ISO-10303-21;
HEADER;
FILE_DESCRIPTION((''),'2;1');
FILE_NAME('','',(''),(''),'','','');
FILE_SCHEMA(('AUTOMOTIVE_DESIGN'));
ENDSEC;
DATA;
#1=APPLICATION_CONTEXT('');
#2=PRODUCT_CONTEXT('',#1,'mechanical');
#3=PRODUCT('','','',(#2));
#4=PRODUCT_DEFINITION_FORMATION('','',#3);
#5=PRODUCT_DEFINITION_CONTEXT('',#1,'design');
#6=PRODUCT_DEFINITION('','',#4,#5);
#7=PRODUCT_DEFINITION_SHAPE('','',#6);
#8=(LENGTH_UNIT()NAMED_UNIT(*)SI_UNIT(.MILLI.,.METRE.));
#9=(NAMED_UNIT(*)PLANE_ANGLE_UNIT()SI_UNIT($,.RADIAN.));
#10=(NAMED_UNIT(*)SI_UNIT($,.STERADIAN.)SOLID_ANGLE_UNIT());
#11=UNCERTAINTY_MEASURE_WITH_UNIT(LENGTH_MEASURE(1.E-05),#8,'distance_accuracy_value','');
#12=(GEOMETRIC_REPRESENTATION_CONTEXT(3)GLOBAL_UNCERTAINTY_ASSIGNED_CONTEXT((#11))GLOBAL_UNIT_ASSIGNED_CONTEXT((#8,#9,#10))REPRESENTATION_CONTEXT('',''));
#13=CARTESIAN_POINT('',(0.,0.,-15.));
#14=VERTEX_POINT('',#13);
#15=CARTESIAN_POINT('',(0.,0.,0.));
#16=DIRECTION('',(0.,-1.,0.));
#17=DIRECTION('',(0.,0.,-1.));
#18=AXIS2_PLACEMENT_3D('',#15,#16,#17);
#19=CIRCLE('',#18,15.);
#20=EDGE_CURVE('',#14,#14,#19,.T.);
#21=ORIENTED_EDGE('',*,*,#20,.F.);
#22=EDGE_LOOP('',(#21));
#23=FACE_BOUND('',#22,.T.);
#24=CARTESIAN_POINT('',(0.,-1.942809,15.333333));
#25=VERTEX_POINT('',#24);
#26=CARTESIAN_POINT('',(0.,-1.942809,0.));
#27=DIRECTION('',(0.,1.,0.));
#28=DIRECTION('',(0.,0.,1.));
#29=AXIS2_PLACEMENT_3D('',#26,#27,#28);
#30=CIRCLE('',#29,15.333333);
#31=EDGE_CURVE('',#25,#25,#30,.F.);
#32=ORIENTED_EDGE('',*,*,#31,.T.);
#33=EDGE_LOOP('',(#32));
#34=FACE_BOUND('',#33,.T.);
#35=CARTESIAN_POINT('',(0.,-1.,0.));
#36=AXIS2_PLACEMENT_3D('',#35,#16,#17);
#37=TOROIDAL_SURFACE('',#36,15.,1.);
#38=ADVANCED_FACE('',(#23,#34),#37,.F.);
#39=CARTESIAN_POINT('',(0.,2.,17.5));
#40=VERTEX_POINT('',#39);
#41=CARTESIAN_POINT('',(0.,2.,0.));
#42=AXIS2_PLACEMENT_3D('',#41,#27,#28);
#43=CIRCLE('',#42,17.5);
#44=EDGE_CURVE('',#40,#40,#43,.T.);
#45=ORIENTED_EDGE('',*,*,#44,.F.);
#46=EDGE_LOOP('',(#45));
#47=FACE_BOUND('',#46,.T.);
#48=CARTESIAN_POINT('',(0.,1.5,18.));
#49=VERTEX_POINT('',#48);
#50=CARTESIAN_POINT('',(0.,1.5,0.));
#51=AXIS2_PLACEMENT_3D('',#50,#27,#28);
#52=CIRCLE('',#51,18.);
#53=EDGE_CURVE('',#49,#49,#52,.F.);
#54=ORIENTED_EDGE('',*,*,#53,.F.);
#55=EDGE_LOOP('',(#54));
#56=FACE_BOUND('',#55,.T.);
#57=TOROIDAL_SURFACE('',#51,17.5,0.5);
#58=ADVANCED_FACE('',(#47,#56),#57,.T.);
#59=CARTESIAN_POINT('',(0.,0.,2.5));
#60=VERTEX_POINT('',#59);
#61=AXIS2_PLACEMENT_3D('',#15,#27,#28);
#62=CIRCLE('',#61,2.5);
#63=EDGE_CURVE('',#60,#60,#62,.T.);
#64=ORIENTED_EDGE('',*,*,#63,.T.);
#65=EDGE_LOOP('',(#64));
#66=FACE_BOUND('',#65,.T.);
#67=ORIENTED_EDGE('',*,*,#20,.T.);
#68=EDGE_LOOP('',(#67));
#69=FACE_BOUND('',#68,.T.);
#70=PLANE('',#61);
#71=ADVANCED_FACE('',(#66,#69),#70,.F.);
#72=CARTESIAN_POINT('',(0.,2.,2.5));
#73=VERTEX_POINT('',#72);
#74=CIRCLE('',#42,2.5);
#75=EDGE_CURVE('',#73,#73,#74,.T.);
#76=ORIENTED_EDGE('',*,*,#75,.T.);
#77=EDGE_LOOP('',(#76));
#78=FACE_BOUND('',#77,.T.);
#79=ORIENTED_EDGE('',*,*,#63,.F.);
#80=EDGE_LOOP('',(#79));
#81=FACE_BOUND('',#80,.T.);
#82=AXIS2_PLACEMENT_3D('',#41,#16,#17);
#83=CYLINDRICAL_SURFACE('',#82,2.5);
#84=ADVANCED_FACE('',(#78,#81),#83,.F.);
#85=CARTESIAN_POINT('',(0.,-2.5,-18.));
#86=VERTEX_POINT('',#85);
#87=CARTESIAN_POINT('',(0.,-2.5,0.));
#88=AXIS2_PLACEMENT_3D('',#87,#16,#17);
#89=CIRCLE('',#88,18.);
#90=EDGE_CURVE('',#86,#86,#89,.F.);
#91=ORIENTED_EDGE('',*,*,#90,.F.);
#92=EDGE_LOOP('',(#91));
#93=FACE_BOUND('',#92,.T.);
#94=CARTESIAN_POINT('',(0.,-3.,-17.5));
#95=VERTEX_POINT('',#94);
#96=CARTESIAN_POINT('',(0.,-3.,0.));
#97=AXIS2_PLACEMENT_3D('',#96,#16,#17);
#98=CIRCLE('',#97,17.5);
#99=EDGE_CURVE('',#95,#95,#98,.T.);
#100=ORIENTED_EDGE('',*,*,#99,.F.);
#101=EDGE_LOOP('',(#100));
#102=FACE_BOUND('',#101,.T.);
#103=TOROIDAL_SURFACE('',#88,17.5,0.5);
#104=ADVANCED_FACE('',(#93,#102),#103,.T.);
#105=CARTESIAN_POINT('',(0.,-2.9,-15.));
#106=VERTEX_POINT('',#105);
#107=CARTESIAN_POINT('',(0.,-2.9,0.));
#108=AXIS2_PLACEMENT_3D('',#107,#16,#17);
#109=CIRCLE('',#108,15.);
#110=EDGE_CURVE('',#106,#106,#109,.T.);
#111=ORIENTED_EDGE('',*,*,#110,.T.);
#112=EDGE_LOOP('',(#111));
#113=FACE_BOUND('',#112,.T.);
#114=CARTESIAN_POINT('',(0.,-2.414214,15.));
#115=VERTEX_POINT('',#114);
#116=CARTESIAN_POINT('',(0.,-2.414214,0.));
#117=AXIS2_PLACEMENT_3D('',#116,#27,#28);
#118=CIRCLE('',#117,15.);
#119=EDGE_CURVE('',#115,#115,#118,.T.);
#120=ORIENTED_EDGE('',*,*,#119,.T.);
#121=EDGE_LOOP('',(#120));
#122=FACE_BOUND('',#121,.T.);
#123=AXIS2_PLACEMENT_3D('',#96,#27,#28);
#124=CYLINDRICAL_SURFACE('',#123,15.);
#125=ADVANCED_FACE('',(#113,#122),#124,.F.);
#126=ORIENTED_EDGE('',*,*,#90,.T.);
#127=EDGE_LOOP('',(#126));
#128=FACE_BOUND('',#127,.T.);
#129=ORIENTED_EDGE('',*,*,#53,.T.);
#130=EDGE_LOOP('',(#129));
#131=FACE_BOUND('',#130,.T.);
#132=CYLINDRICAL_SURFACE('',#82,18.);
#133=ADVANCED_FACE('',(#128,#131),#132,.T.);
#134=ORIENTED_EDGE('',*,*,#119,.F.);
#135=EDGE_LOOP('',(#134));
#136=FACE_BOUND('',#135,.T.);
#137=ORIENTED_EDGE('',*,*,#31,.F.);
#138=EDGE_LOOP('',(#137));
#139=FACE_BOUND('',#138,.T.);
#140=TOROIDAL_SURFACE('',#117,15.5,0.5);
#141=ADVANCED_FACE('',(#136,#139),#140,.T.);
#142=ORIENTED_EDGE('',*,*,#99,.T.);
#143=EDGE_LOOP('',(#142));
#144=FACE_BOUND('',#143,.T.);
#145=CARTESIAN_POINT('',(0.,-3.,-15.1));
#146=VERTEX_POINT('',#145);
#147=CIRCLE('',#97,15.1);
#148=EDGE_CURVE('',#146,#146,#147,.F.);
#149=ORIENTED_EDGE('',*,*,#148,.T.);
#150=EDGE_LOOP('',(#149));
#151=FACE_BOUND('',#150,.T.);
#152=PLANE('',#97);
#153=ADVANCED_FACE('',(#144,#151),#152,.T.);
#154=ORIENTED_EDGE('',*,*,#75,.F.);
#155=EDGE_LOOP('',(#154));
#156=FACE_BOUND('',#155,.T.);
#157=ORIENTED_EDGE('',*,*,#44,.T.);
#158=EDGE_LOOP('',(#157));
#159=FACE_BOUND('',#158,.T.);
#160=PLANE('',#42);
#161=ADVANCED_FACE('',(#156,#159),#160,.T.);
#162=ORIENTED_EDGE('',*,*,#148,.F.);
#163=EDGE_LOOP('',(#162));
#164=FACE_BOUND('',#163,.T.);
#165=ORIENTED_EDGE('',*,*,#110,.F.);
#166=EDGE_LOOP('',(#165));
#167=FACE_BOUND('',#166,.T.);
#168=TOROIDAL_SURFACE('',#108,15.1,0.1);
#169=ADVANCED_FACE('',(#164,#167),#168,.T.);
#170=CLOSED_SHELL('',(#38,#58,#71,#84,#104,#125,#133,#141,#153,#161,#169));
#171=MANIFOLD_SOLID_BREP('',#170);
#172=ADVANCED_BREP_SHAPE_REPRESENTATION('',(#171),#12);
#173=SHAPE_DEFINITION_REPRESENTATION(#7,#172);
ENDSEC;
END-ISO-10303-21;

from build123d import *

# Parameters (mm, degrees)
SKETCH1_R           = 18
SKETCH1_R_2         = 2.5
BOSS_EXTRUDE3_DEPTH = 2
SKETCH3_R           = 18
SKETCH3_R_2         = 15
BOSS_EXTRUDE4_DEPTH = 3
FILLET1_R           = 0.5
FILLET2_R           = 0.5
FILLET3_R           = 0.5
FILLET4_R           = 0.1


with BuildPart() as part:
    # Sketch1 → Boss-Extrude3 (new body)
    with BuildSketch(Plane(origin=(0, 0, 0), x_dir=(1, 0, 0), z_dir=(0, 1, 0))):
        Circle(SKETCH1_R)
        Circle(SKETCH1_R_2, mode=Mode.SUBTRACT)
    extrude(amount=BOSS_EXTRUDE3_DEPTH)

    # Sketch3 → Boss-Extrude4 (add)
    with BuildSketch(Plane.XZ):
        Circle(SKETCH3_R)
        Circle(SKETCH3_R_2, mode=Mode.SUBTRACT)
    extrude(amount=BOSS_EXTRUDE4_DEPTH)

    # Sketch4 → Cut-Revolve1 (revolve, cut)
    with BuildSketch(Plane.XY):
        with BuildLine():
            Line((15, 0), (15, -2))
            ThreePointArc((15, -2), (16, -1), (15, 0))
        make_face()
    revolve(axis=Axis((0, 0, 0), (0, 1, 0)), mode=Mode.SUBTRACT)

    # Fillet1
    fillet1_edges = [part.edges().sort_by_distance(p)[0] for p in [
        (-15, -2, 0),
    ]]
    fillet(fillet1_edges, radius=FILLET1_R)

    # Fillet2
    fillet2_edges = [part.edges().sort_by_distance(p)[0] for p in [
        (-18, -3, 0),
    ]]
    fillet(fillet2_edges, radius=FILLET2_R)

    # Fillet3
    fillet3_edges = [part.edges().sort_by_distance(p)[0] for p in [
        (-18, 2, 0),
    ]]
    fillet(fillet3_edges, radius=FILLET3_R)

    # Fillet4
    fillet4_edges = [part.edges().sort_by_distance(p)[0] for p in [
        (-15, -3, 0),
    ]]
    fillet(fillet4_edges, radius=FILLET4_R)


solid = part.part
